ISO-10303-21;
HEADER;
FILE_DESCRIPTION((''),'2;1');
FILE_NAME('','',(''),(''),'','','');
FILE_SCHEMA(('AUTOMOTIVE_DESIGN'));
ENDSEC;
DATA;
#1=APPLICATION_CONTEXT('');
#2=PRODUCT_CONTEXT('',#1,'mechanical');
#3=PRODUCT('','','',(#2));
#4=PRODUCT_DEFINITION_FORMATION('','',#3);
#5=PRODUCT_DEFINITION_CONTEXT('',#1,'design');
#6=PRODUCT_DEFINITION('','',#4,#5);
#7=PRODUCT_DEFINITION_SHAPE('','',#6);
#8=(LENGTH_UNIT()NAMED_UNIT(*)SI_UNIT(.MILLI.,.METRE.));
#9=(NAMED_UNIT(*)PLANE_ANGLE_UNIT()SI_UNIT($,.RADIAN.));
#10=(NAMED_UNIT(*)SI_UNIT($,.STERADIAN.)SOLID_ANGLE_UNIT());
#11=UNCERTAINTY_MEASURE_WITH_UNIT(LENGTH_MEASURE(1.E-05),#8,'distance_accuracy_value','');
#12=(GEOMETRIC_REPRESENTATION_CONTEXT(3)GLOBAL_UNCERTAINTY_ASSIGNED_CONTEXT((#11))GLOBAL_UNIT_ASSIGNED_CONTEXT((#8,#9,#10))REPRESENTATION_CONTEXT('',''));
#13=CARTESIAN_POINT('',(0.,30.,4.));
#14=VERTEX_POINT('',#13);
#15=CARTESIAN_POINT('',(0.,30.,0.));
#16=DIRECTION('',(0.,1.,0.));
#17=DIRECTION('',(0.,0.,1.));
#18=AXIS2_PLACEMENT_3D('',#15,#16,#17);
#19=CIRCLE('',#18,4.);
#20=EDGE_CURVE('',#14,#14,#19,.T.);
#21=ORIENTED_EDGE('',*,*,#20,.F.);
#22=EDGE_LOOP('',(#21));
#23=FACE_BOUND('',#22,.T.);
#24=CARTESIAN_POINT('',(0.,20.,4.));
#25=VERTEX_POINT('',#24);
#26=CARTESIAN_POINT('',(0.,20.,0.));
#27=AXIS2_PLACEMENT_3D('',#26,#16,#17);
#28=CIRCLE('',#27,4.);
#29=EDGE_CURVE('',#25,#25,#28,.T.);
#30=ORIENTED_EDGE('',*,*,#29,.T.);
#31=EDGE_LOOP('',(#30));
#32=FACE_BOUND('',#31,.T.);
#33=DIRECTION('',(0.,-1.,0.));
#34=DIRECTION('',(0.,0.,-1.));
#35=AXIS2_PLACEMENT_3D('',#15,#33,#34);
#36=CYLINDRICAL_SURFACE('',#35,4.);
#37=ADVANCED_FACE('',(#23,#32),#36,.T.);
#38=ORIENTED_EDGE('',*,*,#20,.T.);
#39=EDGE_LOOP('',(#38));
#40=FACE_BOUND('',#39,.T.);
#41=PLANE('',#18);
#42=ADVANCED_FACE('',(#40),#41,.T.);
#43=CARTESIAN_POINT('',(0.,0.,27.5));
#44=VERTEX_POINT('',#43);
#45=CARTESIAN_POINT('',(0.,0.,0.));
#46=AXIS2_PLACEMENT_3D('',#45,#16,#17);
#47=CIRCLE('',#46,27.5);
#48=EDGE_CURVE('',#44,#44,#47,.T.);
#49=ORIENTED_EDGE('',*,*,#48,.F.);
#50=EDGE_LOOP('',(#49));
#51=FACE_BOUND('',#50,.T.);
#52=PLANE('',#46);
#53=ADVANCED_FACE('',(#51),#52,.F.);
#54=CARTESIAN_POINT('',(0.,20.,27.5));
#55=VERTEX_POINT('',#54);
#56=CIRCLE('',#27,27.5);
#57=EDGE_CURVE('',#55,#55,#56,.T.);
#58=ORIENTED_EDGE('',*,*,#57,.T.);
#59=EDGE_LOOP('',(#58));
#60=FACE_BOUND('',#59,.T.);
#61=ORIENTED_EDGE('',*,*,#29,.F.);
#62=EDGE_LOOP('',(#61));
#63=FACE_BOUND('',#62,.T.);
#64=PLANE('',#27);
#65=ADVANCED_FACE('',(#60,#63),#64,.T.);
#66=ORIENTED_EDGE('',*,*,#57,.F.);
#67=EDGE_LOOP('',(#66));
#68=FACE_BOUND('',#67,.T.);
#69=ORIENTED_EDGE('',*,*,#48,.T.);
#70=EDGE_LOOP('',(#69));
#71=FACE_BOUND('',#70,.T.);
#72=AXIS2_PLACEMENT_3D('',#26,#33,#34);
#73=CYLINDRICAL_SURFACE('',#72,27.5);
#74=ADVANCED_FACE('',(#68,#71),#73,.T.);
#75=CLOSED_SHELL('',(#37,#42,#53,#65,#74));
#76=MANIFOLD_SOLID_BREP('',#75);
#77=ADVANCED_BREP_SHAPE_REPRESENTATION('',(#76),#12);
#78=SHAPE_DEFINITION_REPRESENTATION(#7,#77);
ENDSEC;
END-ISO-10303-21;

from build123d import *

# Parameters (mm, degrees)
SKETCH_1_R      = 27.5
EXTRUDE_1_DEPTH = 20
SKETCH_2_R      = 4
EXTRUDE_2_DEPTH = 10


with BuildPart() as part:
    # 草图1 → 凸台-拉伸1 (new body)
    with BuildSketch(Plane(origin=(0, 0, 0), x_dir=(1, 0, 0), z_dir=(0, 1, 0))):
        with Locations(Location((0, 0, 0), (0, 0, 270))):
            Circle(SKETCH_1_R)
    extrude(amount=EXTRUDE_1_DEPTH)

    # 草图2 → 凸台-拉伸2 (add)
    with BuildSketch(Plane(origin=(0, 20, 0), x_dir=(1, 0, 0), z_dir=(0, 1, 0))):
        with Locations(Location((0, 0, 0), (0, 0, 270))):
            Circle(SKETCH_2_R)
    extrude(amount=EXTRUDE_2_DEPTH)


solid = part.part
